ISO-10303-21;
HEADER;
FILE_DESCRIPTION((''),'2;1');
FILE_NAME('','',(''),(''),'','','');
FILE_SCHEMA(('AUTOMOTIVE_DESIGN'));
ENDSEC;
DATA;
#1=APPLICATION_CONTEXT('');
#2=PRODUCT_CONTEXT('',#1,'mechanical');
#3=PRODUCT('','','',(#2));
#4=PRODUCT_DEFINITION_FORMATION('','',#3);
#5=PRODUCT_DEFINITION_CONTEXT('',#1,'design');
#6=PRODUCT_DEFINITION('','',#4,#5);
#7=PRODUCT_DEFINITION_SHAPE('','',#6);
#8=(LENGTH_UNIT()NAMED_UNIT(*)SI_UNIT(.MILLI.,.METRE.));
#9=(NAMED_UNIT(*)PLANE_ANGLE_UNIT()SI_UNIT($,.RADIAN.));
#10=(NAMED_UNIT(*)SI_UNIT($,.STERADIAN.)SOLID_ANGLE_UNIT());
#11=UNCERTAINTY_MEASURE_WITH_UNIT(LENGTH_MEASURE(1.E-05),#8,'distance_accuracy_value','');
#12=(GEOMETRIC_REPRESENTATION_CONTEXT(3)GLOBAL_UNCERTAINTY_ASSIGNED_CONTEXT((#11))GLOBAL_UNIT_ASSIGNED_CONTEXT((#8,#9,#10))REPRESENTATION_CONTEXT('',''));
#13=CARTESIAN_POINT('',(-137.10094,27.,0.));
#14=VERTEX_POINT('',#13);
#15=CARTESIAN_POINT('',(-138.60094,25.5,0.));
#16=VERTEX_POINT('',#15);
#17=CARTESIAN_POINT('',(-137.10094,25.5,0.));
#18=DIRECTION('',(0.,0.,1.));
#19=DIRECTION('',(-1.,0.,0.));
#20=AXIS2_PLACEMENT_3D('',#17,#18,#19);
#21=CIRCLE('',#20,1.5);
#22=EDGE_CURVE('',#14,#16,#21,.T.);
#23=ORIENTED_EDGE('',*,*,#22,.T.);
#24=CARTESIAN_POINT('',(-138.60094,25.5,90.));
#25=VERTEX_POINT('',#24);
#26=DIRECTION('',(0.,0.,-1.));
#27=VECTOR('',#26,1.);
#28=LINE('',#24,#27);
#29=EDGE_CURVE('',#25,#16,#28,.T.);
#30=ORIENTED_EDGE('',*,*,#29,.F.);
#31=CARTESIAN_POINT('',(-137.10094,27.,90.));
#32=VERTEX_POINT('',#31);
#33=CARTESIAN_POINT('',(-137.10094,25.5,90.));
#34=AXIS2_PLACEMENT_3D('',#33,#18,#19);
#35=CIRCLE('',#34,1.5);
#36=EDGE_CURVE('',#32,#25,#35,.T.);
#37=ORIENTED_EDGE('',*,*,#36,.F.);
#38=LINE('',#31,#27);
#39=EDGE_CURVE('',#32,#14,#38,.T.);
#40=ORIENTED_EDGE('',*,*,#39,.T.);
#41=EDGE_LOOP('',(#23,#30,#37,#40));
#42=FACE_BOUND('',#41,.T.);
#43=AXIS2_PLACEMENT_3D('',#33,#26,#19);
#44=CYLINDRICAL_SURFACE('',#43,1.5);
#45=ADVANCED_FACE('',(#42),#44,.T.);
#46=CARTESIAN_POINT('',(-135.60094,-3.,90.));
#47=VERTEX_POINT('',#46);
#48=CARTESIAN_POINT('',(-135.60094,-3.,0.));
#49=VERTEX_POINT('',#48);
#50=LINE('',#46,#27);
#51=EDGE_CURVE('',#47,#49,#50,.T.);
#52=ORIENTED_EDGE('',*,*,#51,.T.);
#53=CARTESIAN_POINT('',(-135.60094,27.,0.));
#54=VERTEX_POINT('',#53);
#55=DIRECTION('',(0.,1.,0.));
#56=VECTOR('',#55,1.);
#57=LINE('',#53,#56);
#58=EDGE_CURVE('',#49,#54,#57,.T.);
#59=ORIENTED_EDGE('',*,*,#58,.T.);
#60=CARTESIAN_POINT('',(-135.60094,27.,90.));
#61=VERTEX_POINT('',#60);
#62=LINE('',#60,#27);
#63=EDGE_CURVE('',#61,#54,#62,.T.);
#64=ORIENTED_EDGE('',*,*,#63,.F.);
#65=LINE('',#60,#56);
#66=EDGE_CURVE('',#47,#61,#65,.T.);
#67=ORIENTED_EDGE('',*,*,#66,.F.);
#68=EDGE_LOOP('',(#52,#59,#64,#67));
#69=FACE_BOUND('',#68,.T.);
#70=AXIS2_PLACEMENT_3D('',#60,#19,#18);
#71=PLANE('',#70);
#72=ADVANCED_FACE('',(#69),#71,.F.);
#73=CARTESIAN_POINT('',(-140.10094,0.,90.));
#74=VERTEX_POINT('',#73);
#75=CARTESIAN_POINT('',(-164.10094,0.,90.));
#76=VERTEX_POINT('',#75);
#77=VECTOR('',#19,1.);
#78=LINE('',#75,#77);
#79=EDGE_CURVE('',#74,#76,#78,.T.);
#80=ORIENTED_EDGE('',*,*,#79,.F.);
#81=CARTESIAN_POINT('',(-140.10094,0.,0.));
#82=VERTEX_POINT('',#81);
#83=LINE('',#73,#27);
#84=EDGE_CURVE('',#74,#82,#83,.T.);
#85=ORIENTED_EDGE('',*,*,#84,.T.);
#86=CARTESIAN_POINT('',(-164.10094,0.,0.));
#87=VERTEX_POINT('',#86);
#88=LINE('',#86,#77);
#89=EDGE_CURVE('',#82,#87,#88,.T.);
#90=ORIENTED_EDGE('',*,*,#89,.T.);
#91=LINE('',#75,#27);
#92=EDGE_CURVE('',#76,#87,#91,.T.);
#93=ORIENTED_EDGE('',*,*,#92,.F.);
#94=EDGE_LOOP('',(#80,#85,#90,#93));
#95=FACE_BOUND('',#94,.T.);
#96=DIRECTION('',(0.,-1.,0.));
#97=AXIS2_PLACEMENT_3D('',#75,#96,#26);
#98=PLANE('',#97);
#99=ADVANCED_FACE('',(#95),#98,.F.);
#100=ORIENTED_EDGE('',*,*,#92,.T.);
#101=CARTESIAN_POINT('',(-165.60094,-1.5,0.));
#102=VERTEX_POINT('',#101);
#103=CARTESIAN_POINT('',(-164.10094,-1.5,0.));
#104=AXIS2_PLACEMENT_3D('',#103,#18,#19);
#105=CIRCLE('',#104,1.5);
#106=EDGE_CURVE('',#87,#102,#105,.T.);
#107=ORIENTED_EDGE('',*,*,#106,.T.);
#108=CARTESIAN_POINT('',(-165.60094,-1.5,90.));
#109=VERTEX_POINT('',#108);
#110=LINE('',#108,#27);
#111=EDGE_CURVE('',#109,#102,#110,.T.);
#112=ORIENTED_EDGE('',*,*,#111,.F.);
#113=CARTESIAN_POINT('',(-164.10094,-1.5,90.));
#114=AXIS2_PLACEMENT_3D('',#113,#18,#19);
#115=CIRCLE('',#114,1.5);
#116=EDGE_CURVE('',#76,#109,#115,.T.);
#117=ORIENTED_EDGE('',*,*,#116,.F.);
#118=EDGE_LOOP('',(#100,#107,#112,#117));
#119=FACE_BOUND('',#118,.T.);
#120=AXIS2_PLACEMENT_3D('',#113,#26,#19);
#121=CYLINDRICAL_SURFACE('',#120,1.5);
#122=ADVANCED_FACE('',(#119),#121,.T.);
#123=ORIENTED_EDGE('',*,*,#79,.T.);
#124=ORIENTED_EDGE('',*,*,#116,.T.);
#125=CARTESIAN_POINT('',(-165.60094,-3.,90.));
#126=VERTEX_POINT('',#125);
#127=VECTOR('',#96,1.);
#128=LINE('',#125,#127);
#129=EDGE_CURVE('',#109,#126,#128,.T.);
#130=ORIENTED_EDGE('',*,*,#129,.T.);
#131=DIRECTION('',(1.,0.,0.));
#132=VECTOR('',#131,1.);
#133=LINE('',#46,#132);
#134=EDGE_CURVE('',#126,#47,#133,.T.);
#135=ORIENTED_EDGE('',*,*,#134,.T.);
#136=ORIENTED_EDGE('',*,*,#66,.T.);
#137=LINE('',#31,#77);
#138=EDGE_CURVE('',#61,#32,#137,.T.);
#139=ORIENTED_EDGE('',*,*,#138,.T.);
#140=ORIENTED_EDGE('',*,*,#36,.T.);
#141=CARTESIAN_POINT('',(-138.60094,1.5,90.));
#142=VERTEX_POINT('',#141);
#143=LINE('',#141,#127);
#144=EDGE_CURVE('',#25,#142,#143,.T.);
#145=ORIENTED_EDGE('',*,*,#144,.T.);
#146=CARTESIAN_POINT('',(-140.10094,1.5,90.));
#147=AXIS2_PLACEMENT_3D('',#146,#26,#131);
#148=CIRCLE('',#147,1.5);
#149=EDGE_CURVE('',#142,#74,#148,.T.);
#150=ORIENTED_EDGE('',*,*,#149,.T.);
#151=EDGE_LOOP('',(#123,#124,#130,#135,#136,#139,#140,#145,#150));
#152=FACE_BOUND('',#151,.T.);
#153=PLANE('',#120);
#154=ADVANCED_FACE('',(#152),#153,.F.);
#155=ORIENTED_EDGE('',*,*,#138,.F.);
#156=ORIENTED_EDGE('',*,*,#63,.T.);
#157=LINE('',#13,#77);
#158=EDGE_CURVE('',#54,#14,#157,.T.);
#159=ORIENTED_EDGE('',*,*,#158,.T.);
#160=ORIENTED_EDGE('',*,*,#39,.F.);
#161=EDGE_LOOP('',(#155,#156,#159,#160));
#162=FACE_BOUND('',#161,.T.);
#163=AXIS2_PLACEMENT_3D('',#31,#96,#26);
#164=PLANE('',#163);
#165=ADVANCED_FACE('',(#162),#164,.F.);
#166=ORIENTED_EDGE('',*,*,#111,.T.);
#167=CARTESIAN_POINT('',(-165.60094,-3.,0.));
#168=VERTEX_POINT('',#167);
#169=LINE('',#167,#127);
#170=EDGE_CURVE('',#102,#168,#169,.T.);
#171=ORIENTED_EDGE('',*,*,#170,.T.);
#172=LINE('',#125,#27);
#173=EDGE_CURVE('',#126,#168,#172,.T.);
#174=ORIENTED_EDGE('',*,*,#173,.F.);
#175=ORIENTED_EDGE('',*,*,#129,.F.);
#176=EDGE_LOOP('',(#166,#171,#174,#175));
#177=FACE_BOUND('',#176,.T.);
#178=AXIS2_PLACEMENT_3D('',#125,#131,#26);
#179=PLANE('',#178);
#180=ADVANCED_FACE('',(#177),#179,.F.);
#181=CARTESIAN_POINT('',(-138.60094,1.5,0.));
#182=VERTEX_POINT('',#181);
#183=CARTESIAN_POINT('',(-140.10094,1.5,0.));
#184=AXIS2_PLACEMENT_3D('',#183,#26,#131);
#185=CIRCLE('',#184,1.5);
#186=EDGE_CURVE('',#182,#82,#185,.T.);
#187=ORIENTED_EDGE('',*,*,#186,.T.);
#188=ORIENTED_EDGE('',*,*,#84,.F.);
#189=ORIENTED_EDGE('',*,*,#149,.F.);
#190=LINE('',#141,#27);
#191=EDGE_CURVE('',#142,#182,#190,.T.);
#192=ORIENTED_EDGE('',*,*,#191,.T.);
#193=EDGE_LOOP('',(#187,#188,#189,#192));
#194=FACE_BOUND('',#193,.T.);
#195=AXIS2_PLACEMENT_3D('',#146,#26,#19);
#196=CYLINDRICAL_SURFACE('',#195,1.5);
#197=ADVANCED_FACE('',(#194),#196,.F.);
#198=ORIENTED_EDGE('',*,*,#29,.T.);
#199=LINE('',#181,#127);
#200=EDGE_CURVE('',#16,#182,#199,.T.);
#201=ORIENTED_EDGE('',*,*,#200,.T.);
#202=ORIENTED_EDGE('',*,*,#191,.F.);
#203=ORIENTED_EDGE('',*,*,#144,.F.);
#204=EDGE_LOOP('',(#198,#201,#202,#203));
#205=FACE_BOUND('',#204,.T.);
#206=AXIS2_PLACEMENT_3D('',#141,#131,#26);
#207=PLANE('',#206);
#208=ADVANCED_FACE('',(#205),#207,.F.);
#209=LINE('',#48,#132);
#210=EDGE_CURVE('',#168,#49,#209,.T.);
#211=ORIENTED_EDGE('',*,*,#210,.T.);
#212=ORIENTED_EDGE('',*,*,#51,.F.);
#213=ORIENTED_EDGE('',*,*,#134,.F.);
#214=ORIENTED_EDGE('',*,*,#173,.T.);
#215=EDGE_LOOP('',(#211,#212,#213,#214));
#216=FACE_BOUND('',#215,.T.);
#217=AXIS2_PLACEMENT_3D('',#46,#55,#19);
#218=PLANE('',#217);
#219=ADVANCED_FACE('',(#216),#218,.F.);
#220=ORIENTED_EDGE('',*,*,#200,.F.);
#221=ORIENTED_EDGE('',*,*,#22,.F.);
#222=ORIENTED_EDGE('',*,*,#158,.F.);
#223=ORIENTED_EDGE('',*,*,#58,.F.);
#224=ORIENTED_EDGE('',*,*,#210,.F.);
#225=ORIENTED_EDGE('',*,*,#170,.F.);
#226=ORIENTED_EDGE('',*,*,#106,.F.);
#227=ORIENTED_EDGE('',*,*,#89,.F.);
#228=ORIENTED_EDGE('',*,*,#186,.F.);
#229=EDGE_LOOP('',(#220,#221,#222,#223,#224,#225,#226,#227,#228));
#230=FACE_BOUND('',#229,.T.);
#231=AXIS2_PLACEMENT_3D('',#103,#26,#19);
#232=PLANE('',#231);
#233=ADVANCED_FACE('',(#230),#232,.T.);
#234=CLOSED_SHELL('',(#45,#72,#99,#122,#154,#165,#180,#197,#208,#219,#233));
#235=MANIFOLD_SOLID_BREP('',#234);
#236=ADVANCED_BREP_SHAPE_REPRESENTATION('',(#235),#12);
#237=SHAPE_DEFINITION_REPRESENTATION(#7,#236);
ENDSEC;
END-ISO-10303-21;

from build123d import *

# Parameters (mm, degrees)
BOSS_EXTRUDE1_DEPTH = 90


with BuildPart() as part:
    # Sketch1 → Boss-Extrude1 (new body)
    with BuildSketch(Plane.XY):
        with BuildLine():
            Line((-135.600940307, 27), (-135.600940307, -3))
            Line((-135.600940307, -3), (-165.600940307, -3))
            Line((-165.600940307, -3), (-165.600940307, -1.5))
            ThreePointArc((-165.600940307, -1.5), (-165.161600478, -0.439339828), (-164.100940307, 0))
            Line((-164.100940307, 0), (-140.100940307, 0))
            ThreePointArc((-140.100940307, 0), (-139.040280135, 0.439339828), (-138.600940307, 1.5))
            Line((-138.600940307, 1.5), (-138.600940307, 25.5))
            ThreePointArc((-138.600940307, 25.5), (-138.161600478, 26.560660172), (-137.100940307, 27))
            Line((-137.100940307, 27), (-135.600940307, 27))
        make_face()
    extrude(amount=BOSS_EXTRUDE1_DEPTH)


solid = part.part
